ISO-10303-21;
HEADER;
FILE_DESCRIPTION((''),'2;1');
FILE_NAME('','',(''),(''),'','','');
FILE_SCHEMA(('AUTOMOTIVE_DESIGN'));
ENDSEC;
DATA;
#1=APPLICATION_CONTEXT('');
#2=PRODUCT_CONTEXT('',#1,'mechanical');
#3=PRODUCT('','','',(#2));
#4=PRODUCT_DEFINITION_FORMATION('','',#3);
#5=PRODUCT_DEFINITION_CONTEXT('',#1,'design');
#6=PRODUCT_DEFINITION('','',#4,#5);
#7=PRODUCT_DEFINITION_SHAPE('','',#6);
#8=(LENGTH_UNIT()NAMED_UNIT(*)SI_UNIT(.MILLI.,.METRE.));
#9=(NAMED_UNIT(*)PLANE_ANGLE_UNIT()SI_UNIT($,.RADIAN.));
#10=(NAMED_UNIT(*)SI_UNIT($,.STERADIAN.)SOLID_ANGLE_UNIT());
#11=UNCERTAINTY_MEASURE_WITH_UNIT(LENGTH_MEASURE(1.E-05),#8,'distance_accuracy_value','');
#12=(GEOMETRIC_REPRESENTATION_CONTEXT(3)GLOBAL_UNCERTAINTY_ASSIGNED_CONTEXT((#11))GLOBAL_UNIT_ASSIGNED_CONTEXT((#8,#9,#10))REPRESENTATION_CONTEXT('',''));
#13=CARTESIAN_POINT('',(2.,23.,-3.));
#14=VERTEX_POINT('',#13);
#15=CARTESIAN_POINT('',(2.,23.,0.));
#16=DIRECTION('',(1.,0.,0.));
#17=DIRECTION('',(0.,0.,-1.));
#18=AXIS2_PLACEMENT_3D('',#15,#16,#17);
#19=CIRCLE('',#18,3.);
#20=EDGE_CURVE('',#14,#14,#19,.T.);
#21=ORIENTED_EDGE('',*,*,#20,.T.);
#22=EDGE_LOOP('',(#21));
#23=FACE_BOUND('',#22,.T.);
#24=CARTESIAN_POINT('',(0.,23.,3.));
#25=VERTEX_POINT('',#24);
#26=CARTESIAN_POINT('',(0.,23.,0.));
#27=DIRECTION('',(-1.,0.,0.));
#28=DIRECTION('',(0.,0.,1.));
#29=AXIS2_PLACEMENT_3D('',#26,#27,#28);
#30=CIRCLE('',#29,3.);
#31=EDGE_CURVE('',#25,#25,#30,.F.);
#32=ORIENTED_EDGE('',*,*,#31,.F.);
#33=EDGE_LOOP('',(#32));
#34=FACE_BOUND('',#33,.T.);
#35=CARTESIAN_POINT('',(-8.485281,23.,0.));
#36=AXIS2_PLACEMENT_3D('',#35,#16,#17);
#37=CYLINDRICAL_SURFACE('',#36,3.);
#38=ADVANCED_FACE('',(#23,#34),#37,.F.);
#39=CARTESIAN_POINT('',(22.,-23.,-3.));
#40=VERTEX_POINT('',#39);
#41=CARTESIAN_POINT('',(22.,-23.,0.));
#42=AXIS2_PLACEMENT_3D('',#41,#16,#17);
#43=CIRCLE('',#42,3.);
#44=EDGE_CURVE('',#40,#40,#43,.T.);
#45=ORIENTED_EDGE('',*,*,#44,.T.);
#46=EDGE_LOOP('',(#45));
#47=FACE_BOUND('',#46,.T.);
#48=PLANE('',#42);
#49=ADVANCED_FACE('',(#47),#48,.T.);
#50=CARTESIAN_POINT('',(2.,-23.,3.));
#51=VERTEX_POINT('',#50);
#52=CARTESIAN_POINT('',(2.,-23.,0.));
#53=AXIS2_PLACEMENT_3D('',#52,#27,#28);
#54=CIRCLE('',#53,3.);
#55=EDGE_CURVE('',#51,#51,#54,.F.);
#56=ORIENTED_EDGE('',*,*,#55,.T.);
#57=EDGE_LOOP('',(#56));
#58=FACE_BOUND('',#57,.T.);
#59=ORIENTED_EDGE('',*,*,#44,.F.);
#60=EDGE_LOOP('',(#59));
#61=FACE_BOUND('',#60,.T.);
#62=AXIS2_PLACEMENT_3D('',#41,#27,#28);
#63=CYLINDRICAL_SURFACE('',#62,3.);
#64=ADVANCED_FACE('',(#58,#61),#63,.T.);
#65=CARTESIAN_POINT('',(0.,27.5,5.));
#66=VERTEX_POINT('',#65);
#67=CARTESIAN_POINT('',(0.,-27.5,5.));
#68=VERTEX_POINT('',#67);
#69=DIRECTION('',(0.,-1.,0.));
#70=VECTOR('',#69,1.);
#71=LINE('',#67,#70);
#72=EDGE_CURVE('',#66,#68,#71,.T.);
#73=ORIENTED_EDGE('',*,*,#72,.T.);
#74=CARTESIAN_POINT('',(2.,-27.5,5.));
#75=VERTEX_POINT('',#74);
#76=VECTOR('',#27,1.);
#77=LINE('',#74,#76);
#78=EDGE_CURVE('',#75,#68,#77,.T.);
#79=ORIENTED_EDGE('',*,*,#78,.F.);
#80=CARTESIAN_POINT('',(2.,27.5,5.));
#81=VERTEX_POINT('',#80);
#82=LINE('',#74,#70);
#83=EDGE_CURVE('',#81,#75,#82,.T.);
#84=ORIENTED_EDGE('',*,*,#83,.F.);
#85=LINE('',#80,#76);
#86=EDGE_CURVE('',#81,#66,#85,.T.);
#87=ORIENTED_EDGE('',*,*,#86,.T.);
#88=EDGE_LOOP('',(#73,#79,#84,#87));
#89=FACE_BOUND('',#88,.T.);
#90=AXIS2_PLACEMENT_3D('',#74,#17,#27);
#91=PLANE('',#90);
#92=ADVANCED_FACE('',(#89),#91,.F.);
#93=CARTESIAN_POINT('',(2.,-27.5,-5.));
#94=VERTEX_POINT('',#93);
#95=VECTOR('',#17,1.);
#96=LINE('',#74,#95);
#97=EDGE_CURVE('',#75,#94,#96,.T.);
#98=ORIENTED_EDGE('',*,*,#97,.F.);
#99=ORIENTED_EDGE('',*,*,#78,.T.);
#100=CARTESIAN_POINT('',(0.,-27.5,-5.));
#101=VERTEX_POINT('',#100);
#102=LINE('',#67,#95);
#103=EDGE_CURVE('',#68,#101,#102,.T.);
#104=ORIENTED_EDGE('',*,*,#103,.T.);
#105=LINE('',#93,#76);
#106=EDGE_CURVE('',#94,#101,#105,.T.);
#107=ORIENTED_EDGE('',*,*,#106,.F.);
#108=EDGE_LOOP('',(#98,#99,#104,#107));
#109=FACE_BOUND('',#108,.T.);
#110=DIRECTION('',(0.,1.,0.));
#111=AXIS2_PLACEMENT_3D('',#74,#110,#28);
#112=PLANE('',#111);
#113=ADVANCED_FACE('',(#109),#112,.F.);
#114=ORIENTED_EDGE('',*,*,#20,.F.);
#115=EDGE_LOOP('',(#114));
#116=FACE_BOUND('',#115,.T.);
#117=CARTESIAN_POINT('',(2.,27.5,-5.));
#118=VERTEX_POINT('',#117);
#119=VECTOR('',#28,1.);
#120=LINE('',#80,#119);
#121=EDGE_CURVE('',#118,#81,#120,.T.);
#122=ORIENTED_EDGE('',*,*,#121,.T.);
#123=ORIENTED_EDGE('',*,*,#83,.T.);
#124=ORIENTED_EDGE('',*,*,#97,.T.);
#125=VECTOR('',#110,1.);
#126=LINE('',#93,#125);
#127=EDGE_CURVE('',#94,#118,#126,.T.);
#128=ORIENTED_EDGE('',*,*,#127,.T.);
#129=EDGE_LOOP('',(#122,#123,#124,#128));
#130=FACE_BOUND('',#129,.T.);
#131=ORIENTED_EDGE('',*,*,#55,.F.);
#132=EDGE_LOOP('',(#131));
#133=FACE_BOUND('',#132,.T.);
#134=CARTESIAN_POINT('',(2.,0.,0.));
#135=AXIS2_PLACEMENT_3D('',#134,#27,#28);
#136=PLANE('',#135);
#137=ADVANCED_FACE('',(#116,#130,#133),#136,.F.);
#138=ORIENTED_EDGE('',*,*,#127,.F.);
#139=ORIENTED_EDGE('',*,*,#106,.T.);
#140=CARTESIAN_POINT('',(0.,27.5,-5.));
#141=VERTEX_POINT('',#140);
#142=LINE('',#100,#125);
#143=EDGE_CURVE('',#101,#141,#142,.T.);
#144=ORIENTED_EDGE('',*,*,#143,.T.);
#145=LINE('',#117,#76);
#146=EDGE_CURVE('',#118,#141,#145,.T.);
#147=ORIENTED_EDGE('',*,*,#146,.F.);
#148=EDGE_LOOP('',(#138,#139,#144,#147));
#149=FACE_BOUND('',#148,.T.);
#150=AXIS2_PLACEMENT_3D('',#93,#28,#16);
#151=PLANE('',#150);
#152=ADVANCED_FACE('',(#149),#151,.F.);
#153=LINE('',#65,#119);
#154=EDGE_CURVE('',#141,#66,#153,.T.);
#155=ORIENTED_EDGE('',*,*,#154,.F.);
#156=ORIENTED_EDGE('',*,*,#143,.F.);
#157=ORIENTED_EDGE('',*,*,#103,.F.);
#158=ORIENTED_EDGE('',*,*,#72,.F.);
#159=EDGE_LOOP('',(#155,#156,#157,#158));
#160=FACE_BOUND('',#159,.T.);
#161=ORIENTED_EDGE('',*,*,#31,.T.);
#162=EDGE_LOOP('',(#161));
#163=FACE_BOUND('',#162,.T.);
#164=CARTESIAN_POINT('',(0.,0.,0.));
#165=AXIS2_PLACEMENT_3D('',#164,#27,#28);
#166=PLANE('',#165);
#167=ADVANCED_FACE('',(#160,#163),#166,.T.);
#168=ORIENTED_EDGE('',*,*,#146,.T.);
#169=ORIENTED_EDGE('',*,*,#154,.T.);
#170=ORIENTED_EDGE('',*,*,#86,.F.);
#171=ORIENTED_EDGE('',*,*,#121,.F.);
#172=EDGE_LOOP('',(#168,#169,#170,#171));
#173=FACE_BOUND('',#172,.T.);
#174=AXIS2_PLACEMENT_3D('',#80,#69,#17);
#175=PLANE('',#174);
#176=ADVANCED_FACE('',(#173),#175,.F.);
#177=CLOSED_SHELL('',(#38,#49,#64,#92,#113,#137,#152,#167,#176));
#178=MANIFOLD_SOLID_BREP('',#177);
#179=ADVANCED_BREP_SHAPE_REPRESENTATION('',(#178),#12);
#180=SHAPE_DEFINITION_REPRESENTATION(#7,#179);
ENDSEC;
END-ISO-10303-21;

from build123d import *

# Parameters (mm, degrees)
SKETCH1_W           = 10
SKETCH1_H           = 55
BOSS_EXTRUDE1_DEPTH = 2
SKETCH2_R           = 3
CUT_EXTRUDE1_DEPTH  = 2
SKETCH3_R           = 3
BOSS_EXTRUDE2_DEPTH = 20


with BuildPart() as part:
    # Sketch1 → Boss-Extrude1 (new body)
    with BuildSketch(Plane(origin=(0, 0, 0), x_dir=(0, 0, -1), z_dir=(1, 0, 0))):
        Rectangle(SKETCH1_W, SKETCH1_H)
    extrude(amount=BOSS_EXTRUDE1_DEPTH)

    # Sketch2 → Cut-Extrude1 (cut)
    with BuildSketch(Plane(origin=(2, 0, 0), x_dir=(0, 0, -1), z_dir=(1, 0, 0))):
        with Locations((0, 23)):
            Circle(SKETCH2_R)
    extrude(amount=-CUT_EXTRUDE1_DEPTH, mode=Mode.SUBTRACT)

    # Sketch3 → Boss-Extrude2 (add)
    with BuildSketch(Plane(origin=(2, 0, 0), x_dir=(0, 0, -1), z_dir=(1, 0, 0))):
        with Locations((0, -23)):
            Circle(SKETCH3_R)
    extrude(amount=BOSS_EXTRUDE2_DEPTH)


solid = part.part
